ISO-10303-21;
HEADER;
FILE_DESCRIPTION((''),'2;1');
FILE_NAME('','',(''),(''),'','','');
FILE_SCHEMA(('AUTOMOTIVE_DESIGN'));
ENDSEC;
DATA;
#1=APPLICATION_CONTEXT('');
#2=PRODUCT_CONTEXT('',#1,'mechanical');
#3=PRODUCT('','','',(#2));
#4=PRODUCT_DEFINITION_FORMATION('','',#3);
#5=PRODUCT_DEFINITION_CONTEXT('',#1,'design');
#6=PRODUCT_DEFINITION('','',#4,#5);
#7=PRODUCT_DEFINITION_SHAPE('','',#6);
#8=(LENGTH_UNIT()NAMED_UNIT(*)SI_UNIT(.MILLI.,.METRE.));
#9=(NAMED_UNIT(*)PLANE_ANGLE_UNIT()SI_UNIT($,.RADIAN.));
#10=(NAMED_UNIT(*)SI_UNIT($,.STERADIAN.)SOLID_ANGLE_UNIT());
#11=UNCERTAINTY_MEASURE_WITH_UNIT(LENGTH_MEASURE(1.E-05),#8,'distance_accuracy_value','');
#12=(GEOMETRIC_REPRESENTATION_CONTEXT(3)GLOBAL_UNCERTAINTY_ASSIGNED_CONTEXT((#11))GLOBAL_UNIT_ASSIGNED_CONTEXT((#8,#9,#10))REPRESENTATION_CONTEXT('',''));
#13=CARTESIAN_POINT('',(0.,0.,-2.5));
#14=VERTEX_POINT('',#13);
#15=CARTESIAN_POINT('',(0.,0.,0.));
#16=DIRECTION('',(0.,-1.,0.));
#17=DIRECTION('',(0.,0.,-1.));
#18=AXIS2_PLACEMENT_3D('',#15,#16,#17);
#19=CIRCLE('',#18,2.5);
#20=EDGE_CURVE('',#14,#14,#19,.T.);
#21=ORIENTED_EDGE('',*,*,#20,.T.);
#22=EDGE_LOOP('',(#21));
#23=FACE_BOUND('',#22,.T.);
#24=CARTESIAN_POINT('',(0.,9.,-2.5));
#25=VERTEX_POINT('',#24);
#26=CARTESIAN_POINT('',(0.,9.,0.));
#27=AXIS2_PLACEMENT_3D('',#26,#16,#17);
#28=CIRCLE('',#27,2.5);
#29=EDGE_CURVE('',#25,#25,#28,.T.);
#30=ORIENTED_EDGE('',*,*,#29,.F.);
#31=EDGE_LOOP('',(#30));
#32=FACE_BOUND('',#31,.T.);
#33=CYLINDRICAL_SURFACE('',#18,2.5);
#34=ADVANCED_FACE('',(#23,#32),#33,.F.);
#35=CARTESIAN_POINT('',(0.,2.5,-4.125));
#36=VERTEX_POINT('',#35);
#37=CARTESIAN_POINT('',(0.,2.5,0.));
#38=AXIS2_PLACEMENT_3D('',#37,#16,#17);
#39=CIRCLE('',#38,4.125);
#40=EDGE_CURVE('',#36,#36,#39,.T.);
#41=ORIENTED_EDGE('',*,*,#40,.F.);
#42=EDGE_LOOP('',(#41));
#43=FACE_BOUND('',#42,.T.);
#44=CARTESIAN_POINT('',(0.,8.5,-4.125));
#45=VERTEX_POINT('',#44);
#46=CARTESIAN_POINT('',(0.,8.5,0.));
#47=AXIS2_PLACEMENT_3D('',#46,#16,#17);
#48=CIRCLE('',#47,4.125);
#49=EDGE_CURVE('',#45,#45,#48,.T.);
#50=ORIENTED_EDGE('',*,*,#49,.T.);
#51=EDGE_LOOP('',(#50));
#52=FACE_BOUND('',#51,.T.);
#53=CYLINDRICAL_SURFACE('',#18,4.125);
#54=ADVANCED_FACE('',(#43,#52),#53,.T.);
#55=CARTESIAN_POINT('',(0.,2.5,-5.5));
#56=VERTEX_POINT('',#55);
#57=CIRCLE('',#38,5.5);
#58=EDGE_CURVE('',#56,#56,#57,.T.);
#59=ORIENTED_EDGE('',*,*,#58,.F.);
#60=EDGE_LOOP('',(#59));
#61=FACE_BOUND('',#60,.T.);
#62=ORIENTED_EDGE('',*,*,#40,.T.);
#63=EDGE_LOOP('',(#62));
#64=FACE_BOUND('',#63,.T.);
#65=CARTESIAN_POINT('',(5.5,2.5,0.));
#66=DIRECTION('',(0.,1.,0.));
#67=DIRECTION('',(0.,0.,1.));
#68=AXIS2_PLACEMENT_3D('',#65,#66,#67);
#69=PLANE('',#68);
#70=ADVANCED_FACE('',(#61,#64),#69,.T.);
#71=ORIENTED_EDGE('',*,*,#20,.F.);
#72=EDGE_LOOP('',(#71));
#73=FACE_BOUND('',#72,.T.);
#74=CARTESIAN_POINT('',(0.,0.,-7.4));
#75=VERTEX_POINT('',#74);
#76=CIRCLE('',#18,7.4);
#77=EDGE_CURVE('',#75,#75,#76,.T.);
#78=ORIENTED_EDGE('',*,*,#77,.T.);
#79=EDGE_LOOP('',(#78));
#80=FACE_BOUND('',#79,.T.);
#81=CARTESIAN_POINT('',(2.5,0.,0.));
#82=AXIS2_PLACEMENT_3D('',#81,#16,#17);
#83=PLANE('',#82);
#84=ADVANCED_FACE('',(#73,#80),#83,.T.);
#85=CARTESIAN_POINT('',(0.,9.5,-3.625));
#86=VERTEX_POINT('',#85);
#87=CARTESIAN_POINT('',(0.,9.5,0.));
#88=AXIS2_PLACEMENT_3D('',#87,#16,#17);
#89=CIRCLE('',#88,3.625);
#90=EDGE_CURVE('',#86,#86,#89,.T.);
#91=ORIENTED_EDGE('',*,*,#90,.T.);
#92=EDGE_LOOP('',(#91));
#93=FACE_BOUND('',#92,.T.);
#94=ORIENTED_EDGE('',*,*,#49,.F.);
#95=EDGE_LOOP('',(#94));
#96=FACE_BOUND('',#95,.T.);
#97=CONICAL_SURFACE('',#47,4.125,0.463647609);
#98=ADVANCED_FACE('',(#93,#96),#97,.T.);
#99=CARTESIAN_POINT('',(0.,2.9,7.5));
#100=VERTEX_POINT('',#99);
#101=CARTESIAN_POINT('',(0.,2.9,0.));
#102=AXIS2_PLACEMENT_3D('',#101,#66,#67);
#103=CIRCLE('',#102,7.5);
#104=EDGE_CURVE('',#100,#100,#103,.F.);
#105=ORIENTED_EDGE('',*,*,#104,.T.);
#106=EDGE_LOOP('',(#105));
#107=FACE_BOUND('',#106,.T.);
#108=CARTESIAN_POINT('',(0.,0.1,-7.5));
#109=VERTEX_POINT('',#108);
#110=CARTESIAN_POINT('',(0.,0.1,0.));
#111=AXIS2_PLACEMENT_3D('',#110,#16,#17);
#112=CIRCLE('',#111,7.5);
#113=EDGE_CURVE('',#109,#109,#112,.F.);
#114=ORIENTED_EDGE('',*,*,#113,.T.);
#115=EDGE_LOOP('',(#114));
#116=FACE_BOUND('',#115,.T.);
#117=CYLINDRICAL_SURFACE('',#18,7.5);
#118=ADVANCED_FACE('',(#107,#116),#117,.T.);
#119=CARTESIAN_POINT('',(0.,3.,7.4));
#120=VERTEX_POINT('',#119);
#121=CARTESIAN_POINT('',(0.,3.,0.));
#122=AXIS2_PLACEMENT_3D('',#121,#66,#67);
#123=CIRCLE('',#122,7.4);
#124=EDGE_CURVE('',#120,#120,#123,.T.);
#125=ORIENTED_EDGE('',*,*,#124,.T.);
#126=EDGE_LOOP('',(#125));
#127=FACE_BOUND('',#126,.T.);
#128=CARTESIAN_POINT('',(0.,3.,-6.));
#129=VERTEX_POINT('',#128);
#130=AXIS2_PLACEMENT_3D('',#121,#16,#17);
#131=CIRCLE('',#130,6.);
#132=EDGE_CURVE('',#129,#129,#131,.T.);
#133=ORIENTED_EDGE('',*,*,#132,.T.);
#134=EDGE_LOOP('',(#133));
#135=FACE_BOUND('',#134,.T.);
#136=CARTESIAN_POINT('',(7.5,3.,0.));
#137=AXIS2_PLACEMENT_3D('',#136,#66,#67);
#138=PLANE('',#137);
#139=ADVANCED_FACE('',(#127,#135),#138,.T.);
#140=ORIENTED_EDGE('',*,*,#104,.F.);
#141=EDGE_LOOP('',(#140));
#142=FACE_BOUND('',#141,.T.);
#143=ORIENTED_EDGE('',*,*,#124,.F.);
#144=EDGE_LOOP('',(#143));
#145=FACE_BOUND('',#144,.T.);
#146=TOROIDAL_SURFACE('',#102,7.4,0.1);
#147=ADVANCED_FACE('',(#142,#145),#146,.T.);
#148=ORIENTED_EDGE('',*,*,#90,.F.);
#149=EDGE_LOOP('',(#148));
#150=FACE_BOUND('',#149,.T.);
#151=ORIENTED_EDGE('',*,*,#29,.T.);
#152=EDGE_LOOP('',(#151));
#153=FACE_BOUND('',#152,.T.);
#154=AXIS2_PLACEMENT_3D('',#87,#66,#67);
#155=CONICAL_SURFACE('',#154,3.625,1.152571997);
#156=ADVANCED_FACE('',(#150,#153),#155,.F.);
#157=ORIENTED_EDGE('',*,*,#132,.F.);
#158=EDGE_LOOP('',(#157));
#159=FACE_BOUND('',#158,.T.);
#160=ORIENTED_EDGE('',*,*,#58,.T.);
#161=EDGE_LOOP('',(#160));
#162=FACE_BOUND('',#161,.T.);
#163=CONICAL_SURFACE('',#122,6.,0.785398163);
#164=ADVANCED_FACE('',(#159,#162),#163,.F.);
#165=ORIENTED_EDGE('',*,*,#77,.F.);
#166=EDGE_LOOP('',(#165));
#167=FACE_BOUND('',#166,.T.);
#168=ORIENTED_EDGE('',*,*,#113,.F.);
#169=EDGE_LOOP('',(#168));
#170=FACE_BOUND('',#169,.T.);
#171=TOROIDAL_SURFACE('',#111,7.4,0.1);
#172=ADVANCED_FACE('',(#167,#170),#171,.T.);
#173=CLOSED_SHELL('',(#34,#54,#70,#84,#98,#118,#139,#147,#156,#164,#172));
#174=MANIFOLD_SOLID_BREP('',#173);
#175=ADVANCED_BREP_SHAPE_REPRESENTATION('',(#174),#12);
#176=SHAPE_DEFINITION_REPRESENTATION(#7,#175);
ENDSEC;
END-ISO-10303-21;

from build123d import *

# Parameters (mm, degrees)
HEADFILLET_R = 0.1


with BuildPart() as part:
    # ProfileS → Profile (revolve)
    with BuildSketch(Plane.XY, mode=Mode.PRIVATE) as profile_sk:
        Polygon((2.5, 0), (7.5, 0), (7.5, 3), (6, 3), (5.5, 2.5), (4.125, 2.5), (4.125, 8.5), (3.625, 9.5), (2.5, 9), align=None)
    revolve(profile_sk.sketch.rotate(Axis((0, 0, 0), (0, 1, 0)), 90), axis=Axis((0, 0, 0), (0, 1, 0)))

    # HeadFillet
    headfillet_edges = [part.edges().sort_by_distance(p)[0] for p in [
        (0, 3, 7.5),
        (0, 0, 7.5),
    ]]
    fillet(headfillet_edges, radius=HEADFILLET_R)


solid = part.part
